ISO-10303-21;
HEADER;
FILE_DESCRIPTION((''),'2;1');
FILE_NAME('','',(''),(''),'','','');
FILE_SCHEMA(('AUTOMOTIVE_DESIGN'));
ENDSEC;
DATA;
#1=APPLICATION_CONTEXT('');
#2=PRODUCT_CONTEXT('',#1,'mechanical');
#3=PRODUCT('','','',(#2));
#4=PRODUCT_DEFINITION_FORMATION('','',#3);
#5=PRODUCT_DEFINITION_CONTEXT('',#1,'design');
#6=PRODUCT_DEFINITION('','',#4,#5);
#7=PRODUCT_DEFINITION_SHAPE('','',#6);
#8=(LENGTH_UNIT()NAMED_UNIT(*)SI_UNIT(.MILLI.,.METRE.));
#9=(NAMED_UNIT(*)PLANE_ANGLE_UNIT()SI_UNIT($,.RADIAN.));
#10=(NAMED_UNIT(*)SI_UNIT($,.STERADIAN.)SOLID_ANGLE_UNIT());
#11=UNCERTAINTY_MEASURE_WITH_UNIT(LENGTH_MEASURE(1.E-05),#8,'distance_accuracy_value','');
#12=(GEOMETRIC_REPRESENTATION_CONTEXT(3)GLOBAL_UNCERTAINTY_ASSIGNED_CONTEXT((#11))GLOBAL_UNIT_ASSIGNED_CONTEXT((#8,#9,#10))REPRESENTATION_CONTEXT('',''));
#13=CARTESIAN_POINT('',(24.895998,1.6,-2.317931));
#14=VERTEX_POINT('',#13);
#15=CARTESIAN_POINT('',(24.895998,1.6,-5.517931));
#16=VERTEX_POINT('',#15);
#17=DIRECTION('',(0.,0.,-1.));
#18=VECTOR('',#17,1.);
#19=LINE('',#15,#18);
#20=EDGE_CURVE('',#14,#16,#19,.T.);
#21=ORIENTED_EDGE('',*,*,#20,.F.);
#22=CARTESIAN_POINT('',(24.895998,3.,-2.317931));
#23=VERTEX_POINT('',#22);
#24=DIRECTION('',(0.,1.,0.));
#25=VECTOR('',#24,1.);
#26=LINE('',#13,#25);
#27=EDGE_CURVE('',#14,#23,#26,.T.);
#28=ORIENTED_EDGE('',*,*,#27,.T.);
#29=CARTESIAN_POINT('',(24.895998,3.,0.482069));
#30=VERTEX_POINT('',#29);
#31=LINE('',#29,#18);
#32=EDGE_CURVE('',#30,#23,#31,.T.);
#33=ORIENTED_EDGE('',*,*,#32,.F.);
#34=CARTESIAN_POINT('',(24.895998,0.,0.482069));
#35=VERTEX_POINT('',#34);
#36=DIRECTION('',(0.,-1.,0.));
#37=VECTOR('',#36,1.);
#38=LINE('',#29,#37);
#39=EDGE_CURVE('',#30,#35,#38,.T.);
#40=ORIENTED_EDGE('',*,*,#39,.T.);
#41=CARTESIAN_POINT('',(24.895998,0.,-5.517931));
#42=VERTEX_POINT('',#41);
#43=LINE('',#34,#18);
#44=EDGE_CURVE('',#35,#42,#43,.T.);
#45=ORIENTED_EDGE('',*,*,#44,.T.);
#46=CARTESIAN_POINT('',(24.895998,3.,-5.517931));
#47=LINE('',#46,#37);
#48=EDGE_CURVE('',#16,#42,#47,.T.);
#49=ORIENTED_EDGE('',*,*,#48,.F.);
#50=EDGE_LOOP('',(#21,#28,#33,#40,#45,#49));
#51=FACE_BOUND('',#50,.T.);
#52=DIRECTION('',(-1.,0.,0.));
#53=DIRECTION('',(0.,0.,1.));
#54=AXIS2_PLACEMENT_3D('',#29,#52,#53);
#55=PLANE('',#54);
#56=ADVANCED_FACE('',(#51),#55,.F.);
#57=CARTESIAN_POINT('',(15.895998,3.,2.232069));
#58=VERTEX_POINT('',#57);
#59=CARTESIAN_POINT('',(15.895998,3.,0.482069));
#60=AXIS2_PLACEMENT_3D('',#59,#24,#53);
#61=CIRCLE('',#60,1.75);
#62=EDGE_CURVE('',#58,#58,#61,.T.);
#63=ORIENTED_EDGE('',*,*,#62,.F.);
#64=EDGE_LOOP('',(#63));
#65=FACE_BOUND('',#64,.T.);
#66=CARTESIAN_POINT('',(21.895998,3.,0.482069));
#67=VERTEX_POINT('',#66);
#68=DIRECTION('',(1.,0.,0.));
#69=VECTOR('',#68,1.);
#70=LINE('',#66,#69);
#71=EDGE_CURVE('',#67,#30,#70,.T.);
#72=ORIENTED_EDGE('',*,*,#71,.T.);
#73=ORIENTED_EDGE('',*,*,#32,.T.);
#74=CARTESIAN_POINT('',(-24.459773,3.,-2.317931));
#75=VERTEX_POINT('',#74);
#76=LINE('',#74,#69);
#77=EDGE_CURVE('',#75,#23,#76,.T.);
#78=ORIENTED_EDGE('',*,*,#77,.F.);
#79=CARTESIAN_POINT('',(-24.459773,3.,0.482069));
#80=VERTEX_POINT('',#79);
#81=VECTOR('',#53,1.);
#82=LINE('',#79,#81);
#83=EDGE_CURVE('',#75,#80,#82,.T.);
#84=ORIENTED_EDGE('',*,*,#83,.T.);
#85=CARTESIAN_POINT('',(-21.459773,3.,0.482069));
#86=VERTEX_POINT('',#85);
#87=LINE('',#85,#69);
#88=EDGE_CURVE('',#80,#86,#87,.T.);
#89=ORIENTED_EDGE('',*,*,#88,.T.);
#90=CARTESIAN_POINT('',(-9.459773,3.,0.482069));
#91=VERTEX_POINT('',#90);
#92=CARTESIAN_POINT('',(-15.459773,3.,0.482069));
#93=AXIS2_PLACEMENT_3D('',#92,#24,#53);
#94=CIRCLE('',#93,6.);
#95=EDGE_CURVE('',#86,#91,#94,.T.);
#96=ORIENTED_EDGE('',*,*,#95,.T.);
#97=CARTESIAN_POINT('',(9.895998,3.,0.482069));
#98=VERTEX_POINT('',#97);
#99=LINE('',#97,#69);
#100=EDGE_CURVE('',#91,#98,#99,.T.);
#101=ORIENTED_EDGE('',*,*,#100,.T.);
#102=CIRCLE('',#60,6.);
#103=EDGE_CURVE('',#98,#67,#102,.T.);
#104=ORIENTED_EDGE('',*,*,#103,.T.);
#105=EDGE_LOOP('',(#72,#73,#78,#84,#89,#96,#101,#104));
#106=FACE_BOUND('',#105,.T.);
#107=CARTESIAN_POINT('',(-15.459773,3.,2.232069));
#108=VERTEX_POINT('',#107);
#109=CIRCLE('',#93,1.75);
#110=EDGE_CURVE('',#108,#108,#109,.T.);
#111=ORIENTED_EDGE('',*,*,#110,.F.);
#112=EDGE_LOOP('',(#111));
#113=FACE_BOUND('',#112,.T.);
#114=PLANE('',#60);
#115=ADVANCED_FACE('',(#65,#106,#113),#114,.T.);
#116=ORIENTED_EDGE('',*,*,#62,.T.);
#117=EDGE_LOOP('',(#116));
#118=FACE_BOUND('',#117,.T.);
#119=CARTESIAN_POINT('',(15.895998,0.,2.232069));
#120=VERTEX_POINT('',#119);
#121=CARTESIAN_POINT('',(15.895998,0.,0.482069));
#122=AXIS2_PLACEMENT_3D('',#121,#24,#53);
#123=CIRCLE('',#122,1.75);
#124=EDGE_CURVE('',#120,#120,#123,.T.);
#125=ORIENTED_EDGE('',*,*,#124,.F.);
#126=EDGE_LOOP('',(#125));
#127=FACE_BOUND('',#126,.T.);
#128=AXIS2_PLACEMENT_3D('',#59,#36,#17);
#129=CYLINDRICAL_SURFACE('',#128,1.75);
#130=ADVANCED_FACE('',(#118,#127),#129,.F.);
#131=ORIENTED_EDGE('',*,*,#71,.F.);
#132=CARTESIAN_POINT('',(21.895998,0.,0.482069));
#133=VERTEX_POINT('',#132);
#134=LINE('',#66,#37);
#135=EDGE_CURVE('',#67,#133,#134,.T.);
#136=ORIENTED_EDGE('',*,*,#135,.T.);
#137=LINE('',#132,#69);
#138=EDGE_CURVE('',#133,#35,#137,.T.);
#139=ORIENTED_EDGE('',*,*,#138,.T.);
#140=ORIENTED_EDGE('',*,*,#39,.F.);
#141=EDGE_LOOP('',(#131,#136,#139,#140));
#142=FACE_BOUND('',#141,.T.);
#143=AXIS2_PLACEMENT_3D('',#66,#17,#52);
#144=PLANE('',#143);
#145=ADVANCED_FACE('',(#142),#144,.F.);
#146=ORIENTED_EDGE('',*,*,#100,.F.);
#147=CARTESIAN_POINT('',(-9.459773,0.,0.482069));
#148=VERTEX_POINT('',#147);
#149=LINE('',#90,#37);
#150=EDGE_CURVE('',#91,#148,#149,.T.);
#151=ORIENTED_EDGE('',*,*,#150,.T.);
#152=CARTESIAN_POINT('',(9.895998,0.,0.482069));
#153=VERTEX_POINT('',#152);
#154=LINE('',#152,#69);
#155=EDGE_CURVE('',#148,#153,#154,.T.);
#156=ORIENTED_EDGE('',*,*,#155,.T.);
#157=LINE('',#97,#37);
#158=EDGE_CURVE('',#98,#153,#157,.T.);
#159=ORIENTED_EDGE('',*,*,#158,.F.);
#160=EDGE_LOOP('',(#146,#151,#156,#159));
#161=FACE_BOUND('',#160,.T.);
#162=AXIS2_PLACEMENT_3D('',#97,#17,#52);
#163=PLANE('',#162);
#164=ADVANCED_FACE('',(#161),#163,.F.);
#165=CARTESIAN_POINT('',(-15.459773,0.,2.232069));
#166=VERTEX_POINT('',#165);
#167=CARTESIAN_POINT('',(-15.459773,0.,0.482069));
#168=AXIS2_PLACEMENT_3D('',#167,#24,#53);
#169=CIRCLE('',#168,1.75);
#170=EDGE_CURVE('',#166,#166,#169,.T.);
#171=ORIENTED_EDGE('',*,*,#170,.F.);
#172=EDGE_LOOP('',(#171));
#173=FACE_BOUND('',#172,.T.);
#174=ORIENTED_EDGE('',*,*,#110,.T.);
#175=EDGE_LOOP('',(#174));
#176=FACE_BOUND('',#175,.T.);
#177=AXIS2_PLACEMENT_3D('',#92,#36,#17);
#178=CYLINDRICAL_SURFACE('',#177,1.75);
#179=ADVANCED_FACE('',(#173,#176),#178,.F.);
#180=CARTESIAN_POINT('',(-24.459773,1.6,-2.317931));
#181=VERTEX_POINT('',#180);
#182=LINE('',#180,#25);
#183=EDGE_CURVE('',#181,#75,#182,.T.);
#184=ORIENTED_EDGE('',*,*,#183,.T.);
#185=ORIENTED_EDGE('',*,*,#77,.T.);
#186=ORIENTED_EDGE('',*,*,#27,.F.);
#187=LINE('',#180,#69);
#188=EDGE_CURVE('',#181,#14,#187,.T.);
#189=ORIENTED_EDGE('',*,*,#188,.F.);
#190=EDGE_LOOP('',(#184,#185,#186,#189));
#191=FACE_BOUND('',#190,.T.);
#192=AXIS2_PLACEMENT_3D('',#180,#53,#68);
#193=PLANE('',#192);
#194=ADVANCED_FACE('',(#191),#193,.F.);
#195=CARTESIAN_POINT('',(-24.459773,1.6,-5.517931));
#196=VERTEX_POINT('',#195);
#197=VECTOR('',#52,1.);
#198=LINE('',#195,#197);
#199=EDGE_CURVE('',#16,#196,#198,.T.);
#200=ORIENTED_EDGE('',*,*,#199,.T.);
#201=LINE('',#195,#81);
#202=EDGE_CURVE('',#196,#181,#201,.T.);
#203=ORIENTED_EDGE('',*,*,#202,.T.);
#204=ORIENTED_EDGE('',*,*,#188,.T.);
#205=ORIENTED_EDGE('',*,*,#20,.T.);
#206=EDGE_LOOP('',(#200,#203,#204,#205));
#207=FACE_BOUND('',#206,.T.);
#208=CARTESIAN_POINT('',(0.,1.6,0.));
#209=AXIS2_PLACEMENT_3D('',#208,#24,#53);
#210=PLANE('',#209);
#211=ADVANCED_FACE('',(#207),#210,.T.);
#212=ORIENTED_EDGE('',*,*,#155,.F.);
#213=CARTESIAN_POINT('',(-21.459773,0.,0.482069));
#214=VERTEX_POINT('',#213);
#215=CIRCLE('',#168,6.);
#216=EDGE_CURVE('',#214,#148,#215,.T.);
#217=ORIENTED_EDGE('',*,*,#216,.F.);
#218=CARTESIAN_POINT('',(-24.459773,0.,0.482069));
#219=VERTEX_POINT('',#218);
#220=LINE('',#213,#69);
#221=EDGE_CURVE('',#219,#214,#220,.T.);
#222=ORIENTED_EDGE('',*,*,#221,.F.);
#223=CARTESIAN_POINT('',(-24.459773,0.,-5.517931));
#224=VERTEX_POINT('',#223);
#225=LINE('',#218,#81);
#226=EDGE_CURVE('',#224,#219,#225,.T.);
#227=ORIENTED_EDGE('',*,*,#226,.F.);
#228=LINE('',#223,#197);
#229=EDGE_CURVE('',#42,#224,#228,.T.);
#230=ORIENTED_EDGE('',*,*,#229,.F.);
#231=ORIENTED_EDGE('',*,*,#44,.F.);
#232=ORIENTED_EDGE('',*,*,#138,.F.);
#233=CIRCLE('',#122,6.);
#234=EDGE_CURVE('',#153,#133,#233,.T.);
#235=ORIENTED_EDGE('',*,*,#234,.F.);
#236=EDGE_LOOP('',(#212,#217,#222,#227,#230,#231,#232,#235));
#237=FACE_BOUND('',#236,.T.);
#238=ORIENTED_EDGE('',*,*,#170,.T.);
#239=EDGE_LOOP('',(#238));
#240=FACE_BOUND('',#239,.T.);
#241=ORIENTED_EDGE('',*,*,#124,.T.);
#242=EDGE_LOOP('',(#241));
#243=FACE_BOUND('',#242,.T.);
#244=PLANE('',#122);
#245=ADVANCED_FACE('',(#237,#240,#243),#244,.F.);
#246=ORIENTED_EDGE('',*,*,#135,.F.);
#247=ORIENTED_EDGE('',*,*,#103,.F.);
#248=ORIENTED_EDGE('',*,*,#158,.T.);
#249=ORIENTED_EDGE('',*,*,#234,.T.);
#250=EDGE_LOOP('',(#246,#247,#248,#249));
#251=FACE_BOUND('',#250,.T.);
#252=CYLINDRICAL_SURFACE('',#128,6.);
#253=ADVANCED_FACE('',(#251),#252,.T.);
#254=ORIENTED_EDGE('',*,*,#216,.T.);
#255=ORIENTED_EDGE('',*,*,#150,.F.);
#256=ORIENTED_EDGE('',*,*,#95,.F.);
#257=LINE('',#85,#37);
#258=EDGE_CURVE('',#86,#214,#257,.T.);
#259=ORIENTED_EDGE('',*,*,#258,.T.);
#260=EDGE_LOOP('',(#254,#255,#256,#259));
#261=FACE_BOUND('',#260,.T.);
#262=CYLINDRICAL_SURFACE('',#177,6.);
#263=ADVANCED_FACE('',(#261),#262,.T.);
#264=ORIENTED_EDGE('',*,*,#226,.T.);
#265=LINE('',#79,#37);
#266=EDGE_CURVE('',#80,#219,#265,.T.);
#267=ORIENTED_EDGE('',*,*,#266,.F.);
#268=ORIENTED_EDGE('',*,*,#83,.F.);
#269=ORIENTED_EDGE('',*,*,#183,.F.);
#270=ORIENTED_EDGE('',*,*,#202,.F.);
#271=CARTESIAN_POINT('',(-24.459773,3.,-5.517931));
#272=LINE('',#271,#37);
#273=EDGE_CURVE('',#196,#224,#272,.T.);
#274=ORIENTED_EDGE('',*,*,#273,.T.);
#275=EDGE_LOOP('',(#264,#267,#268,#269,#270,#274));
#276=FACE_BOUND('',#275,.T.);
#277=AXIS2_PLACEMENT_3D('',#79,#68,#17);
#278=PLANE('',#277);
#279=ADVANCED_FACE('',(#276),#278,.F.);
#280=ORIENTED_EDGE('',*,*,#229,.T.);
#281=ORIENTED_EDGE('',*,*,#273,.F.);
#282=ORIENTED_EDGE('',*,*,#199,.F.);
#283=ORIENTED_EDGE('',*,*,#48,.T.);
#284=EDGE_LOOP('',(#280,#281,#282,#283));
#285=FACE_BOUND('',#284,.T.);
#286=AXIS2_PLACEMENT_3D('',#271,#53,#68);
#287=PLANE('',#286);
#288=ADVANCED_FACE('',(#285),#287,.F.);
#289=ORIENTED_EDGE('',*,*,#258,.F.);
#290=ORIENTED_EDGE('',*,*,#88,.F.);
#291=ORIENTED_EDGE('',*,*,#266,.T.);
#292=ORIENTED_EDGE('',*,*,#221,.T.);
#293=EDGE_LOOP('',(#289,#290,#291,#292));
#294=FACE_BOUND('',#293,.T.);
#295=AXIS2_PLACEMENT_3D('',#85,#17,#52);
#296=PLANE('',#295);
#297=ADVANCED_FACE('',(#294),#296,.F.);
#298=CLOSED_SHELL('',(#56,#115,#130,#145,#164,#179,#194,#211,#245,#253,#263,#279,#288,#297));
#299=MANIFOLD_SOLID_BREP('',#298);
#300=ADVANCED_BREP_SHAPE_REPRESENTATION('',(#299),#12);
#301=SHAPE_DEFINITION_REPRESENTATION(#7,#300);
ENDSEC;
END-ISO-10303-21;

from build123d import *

# Parameters (mm, degrees)
SKETCH_1_R          = 1.75
EXTRUDE_1_DEPTH     = 3
SKETCH_2_W          = 49.355771561
SKETCH_2_H          = 3.2
CUT_EXTRUDE_1_DEPTH = 1.4


with BuildPart() as part:
    # Эскиз1 → Бобышка-Вытянуть1 (new body)
    with BuildSketch(Plane(origin=(0, 0, 0), x_dir=(1, 0, 0), z_dir=(0, 1, 0))):
        with BuildLine():
            Line((-24.459773103, 5.517931082), (24.895998458, 5.517931082))
            Line((24.895998458, 5.517931082), (24.895998458, -0.482068918))
            Line((24.895998458, -0.482068918), (21.895998458, -0.482068918))
            ThreePointArc((21.895998458, -0.482068918), (15.895998458, -6.482068918), (9.895998458, -0.482068918))
            Line((9.895998458, -0.482068918), (-9.459773103, -0.482068918))
            ThreePointArc((-9.459773103, -0.482068918), (-15.459773103, -6.482068918), (-21.459773103, -0.482068918))
            Line((-21.459773103, -0.482068918), (-24.459773103, -0.482068918))
            Line((-24.459773103, -0.482068918), (-24.459773103, 5.517931082))
        make_face()
        with Locations((15.895998458, -0.482068918)):
            Circle(SKETCH_1_R, mode=Mode.SUBTRACT)
        with Locations((-15.459773103, -0.482068918)):
            Circle(SKETCH_1_R, mode=Mode.SUBTRACT)
    extrude(amount=EXTRUDE_1_DEPTH)

    # Эскиз2 → Вырез-Вытянуть1 (cut)
    with BuildSketch(Plane(origin=(0, 3, 0), x_dir=(1, 0, 0), z_dir=(0, 1, 0))):
        with Locations((0.218112678, 3.917931082)):
            Rectangle(SKETCH_2_W, SKETCH_2_H)
    extrude(amount=-CUT_EXTRUDE_1_DEPTH, mode=Mode.SUBTRACT)


solid = part.part
